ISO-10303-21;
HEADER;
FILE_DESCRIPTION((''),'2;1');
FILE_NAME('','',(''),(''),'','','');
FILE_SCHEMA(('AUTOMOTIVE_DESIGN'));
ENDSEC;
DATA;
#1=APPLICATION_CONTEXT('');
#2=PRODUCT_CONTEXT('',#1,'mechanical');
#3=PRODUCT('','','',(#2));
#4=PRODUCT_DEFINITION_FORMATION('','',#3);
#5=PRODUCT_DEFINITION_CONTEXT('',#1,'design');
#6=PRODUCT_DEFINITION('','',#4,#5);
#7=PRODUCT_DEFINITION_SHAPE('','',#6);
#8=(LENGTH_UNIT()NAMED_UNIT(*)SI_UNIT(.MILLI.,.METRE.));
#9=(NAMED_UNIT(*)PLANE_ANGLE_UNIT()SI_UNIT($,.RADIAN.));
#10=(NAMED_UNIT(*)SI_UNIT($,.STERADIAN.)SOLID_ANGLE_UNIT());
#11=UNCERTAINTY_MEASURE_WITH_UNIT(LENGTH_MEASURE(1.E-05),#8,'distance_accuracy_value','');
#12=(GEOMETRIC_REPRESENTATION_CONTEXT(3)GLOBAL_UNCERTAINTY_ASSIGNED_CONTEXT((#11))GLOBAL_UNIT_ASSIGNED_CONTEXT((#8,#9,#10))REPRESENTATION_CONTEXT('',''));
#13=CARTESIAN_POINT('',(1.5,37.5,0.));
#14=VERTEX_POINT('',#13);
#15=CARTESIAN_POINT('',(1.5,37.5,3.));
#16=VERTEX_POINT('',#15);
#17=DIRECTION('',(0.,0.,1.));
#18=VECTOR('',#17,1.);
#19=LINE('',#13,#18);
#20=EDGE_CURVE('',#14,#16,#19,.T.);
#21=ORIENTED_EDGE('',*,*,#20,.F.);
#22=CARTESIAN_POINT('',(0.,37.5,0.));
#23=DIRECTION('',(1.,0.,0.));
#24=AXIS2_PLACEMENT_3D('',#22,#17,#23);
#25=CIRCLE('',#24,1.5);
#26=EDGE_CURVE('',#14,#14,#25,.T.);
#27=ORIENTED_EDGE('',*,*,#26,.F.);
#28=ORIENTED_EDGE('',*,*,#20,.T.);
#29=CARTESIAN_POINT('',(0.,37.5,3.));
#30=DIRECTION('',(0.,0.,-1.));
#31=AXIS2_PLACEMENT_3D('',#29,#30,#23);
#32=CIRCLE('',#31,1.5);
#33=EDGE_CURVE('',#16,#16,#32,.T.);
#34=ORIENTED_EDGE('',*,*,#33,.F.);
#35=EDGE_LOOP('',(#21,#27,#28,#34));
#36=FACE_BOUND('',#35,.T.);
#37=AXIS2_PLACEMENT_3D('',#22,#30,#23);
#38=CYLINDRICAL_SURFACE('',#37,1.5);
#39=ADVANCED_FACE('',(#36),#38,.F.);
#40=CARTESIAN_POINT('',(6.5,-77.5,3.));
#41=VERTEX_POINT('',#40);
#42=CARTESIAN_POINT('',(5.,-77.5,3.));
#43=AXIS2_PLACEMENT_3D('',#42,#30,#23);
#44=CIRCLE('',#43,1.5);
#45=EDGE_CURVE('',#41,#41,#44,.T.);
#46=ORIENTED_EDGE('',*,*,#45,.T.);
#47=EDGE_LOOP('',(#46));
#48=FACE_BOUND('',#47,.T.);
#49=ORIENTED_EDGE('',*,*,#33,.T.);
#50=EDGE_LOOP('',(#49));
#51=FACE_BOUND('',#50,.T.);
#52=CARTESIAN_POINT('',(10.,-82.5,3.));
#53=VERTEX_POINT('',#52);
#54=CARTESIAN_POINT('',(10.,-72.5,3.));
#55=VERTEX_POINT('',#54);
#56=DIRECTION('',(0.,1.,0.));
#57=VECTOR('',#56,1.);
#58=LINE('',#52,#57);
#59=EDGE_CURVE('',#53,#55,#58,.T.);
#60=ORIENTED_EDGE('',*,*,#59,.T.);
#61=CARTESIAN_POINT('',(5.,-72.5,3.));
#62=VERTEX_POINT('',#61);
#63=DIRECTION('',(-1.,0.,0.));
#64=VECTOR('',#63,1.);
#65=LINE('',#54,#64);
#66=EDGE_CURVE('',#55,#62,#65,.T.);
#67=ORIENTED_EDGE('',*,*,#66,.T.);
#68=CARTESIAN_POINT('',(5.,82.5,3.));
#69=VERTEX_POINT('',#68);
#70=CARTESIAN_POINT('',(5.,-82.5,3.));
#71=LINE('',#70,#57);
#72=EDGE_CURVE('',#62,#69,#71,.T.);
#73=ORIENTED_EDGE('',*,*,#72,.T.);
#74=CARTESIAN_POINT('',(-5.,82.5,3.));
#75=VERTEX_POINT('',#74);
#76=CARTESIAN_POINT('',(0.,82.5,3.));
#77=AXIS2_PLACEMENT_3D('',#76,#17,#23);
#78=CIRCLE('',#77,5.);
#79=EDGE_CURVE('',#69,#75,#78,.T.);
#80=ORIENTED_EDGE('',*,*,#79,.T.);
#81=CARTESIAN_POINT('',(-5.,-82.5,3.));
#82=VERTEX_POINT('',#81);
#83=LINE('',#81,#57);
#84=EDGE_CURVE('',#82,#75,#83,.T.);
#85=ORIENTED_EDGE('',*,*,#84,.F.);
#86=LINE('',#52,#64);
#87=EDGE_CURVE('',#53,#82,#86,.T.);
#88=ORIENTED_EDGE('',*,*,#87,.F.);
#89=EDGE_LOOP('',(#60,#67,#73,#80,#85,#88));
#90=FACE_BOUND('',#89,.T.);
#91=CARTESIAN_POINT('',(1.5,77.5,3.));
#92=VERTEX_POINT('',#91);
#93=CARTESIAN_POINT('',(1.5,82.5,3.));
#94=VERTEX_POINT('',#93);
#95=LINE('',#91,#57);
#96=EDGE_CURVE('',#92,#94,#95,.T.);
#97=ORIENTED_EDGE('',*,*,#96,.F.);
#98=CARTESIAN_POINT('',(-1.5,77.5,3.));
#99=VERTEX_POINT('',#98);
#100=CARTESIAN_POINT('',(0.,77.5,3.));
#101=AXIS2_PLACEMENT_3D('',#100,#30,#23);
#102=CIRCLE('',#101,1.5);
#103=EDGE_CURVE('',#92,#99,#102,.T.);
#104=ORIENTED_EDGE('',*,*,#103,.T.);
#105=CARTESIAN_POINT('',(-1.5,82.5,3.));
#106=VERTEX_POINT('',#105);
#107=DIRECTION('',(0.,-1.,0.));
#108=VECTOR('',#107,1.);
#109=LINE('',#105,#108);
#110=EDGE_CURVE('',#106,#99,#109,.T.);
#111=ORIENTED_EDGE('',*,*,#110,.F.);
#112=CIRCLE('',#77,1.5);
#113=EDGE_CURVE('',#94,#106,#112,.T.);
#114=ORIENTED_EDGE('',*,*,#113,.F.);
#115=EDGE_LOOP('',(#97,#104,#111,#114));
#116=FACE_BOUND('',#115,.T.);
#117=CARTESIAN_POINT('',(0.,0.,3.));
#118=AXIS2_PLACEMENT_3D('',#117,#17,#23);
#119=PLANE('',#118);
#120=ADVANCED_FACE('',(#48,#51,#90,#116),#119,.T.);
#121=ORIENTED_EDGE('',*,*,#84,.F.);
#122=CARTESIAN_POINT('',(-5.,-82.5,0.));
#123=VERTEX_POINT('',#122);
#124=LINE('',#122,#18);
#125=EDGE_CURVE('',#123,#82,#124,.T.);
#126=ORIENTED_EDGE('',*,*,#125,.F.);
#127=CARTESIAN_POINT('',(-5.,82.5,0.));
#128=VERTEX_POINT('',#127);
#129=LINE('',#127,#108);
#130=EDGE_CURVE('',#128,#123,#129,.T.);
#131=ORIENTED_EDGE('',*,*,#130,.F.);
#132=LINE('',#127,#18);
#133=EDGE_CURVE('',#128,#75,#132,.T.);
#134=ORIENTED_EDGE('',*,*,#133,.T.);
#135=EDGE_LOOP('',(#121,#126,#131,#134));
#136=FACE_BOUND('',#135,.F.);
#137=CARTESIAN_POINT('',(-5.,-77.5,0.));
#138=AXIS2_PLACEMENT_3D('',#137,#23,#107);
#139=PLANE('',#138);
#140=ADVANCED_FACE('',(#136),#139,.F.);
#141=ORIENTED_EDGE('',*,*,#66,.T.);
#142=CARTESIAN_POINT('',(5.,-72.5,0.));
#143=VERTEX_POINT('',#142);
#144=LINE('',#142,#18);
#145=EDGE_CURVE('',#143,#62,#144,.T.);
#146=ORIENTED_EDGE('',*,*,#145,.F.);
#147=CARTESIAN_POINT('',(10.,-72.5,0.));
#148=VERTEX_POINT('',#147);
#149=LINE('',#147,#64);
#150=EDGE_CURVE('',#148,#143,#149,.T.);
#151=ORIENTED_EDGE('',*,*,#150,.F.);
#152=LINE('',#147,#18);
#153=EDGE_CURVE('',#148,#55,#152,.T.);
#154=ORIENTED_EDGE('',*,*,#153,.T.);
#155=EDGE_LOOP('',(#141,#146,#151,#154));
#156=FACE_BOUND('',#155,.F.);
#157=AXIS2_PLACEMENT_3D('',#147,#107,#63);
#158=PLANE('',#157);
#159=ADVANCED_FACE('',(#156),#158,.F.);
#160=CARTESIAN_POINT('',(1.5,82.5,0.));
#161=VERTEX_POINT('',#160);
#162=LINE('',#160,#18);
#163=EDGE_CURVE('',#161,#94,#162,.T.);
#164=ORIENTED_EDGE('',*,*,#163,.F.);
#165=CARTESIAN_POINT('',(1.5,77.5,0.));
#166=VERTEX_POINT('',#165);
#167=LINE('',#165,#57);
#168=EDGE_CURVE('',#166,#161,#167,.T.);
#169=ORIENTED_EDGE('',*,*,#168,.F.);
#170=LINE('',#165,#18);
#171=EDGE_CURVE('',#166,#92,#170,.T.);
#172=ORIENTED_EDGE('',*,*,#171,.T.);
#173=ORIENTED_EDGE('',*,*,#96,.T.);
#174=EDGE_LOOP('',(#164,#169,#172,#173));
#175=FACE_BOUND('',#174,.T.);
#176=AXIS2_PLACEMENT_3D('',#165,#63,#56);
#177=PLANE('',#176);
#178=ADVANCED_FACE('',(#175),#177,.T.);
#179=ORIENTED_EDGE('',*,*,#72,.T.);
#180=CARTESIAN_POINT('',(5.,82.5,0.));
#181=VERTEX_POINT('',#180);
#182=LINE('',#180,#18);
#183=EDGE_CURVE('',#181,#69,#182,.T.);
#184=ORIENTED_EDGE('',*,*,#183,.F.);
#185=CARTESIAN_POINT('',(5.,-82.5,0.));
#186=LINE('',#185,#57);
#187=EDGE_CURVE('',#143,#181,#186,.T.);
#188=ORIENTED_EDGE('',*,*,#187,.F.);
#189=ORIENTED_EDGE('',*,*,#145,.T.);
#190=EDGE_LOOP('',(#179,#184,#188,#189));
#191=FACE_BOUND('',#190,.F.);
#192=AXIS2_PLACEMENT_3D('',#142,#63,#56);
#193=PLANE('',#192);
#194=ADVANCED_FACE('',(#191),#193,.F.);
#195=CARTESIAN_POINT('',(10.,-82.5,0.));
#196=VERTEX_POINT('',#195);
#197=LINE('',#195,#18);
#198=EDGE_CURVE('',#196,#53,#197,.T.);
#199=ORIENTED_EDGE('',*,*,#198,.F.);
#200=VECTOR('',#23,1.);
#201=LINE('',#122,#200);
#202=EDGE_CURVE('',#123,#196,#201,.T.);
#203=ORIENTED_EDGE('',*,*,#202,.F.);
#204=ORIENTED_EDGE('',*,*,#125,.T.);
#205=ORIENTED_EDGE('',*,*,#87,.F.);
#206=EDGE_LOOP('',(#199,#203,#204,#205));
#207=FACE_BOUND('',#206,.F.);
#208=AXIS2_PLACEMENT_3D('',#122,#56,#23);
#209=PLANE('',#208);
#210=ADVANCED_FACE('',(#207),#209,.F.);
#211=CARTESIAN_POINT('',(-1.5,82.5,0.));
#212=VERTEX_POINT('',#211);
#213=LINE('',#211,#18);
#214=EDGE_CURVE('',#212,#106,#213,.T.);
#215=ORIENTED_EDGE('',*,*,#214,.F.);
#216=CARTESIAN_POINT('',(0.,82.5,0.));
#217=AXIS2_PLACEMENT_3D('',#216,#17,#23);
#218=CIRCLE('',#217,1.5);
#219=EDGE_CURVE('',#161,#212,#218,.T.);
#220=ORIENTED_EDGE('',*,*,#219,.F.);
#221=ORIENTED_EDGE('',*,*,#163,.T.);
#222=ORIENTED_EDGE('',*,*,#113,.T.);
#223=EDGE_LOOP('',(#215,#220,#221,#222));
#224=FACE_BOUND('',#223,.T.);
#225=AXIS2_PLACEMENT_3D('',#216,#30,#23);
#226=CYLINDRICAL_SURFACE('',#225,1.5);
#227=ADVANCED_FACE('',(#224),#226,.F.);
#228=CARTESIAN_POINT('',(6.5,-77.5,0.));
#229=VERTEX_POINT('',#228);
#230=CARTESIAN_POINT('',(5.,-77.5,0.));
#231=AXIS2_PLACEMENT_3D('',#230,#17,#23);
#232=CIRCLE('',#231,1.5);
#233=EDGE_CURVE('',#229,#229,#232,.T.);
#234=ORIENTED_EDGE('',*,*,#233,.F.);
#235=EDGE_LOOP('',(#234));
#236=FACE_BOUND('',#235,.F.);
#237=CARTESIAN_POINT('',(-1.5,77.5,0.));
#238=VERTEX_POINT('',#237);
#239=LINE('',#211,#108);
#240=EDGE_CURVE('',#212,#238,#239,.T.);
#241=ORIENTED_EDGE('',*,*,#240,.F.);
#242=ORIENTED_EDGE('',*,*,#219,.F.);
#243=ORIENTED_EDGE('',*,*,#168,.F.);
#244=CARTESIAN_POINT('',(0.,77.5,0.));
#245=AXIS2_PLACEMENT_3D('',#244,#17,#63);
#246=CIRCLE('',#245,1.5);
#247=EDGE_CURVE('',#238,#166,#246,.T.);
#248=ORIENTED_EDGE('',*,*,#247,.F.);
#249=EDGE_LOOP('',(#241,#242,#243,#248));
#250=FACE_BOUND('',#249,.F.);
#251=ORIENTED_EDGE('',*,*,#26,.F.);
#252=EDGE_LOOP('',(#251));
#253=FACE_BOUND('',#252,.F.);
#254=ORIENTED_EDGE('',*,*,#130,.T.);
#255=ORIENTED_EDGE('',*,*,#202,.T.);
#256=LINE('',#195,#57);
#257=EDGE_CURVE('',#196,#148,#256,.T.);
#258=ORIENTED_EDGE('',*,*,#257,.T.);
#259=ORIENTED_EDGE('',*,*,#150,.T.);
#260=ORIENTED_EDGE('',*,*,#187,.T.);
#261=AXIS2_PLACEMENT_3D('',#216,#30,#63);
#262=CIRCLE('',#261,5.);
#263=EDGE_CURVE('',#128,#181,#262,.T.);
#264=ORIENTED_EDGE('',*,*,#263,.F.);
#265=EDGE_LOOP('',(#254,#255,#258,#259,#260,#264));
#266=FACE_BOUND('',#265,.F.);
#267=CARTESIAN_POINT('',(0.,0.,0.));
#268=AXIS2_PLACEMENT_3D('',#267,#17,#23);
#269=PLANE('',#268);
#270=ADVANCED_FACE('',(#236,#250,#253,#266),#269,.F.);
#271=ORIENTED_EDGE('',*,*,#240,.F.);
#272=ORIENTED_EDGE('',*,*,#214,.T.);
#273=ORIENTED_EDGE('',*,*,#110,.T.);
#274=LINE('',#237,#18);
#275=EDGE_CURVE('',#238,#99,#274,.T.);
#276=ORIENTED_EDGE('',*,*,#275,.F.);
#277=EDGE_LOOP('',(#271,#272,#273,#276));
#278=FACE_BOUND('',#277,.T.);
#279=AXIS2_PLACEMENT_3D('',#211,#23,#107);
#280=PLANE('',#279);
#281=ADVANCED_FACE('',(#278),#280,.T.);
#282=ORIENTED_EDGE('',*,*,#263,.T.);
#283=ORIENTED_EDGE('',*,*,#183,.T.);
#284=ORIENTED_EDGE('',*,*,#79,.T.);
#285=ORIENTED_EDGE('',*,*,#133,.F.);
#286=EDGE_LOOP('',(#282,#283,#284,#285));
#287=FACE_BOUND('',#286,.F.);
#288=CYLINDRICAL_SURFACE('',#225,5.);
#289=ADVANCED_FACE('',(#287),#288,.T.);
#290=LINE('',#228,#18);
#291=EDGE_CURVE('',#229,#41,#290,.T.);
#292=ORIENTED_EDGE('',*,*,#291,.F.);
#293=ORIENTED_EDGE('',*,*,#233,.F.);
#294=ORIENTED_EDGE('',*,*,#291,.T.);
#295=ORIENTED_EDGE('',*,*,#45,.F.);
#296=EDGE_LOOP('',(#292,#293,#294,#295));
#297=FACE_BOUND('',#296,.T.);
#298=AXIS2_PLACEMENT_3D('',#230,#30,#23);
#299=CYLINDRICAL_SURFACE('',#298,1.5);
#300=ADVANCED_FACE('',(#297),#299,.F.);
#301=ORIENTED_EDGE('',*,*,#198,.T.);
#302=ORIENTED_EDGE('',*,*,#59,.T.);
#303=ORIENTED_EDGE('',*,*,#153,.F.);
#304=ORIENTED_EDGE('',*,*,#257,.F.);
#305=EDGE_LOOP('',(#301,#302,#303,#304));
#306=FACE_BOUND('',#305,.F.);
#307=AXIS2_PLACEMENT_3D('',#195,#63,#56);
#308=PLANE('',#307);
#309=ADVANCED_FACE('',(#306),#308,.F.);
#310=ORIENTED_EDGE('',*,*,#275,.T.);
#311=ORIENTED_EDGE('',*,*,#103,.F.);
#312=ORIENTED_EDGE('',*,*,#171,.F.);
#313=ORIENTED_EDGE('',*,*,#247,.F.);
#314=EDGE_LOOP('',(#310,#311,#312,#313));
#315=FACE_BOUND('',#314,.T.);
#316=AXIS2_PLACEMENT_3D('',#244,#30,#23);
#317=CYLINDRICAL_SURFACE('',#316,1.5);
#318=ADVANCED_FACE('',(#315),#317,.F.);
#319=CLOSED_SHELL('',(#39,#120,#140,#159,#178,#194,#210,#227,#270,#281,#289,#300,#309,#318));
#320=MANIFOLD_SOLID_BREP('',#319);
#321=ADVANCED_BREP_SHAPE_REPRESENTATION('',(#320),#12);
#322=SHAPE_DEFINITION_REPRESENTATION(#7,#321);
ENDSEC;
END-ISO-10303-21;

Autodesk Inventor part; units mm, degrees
ref_plane "YZ Plane" through (0, 0, 0) normal (1, 0, 0) x (0, 1, 0)
ref_plane "XZ Plane" through (0, 0, 0) normal (0, 1, 0) x (-1, 0, 0)
ref_plane "XY Plane" through (0, 0, 0) normal (0, 0, 1) x (1, 0, 0)
sketch "Эскиз1" plane through (0, 0, 0) normal (0, 0, 1) x (1, 0, 0)
  line L0 (-5, -82.5) -> (5, -82.5)
  line L1 (5, -82.5) -> (5, 82.5)
  line L2 (5, 82.5) -> (-5, 82.5)
  line L3 (-5, 82.5) -> (-5, -82.5)
  line L4 (-5, -82.5) -> (5, 82.5) construction
  line L5 (5, -82.5) -> (-5, 82.5) construction
  line L6 (-5, 82.5) -> (0, 82.5)
  line L7 (0, 82.5) -> (0, 77.5)
  line L8 (0, 77.5) -> (-5, 77.5)
  line L9 (-5, 77.5) -> (-5, 82.5)
  circle A0 centre (0, 77.5) radius 1.5
  line L10 (-5, 82.5) -> (5, 82.5)
  line L11 (5, 82.5) -> (5, 87.5)
  line L12 (5, 87.5) -> (-5, 87.5)
  line L13 (-5, 87.5) -> (-5, 82.5)
  circle A1 centre (0, 82.5) radius 1.5
  line L14 (-1.5, 82.5) -> (-1.5, 77.5)
  line L15 (1.5, 77.5) -> (1.5, 82.5)
  arc A2 (5, 82.5) -> (-5, 82.5) centre (0, 82.5) ccw
  line L16 (0, 77.5) -> (-5, 77.5)
  line L17 (-5, 77.5) -> (-5, 37.5)
  line L18 (-5, 37.5) -> (0, 37.5)
  line L19 (0, 37.5) -> (0, 77.5)
  circle A3 centre (0, 37.5) radius 1.5
  line L20 (-5, -82.5) -> (0, -82.5)
  line L21 (0, -82.5) -> (0, -77.5)
  line L22 (0, -77.5) -> (-5, -77.5)
  line L23 (-5, -77.5) -> (-5, -82.5)
  line L24 (-5, -82.5) -> (10, -82.5)
  line L25 (10, -82.5) -> (10, -72.5)
  line L26 (10, -72.5) -> (-5, -72.5)
  line L27 (-5, -72.5) -> (-5, -82.5)
  circle A4 centre (5, -77.5) radius 1.5
  point P0 (0, 0)
  point P1 (5, -72.5)
  dimension "d0" = 10
  dimension "d1" = 165
  dimension "d2" = 5
  dimension "d3" = 3
  dimension "d4" = 5
  dimension "d5" = 3
  dimension "d6" = 40
  dimension "d7" = 3
  dimension "d8" = 5
  dimension "d12" = 15
  dimension "d13" = 10
  dimension "d14" = 3
extrude "Выдавливание1" add sketch "Эскиз1" along normal blind 3 contours L3 L22 L21 L0 | L21 L22 L3 L26 L1 A4 L0 | L1 A4 L26 L25 L24 | L3 L18 A3 L19 A0 L15 L2 L1 L26 | L3 L8 A0 L19 A3 L18 | L3 L2 L14 L8 | L2 A1 A2
properties part number "пиналка_1"
